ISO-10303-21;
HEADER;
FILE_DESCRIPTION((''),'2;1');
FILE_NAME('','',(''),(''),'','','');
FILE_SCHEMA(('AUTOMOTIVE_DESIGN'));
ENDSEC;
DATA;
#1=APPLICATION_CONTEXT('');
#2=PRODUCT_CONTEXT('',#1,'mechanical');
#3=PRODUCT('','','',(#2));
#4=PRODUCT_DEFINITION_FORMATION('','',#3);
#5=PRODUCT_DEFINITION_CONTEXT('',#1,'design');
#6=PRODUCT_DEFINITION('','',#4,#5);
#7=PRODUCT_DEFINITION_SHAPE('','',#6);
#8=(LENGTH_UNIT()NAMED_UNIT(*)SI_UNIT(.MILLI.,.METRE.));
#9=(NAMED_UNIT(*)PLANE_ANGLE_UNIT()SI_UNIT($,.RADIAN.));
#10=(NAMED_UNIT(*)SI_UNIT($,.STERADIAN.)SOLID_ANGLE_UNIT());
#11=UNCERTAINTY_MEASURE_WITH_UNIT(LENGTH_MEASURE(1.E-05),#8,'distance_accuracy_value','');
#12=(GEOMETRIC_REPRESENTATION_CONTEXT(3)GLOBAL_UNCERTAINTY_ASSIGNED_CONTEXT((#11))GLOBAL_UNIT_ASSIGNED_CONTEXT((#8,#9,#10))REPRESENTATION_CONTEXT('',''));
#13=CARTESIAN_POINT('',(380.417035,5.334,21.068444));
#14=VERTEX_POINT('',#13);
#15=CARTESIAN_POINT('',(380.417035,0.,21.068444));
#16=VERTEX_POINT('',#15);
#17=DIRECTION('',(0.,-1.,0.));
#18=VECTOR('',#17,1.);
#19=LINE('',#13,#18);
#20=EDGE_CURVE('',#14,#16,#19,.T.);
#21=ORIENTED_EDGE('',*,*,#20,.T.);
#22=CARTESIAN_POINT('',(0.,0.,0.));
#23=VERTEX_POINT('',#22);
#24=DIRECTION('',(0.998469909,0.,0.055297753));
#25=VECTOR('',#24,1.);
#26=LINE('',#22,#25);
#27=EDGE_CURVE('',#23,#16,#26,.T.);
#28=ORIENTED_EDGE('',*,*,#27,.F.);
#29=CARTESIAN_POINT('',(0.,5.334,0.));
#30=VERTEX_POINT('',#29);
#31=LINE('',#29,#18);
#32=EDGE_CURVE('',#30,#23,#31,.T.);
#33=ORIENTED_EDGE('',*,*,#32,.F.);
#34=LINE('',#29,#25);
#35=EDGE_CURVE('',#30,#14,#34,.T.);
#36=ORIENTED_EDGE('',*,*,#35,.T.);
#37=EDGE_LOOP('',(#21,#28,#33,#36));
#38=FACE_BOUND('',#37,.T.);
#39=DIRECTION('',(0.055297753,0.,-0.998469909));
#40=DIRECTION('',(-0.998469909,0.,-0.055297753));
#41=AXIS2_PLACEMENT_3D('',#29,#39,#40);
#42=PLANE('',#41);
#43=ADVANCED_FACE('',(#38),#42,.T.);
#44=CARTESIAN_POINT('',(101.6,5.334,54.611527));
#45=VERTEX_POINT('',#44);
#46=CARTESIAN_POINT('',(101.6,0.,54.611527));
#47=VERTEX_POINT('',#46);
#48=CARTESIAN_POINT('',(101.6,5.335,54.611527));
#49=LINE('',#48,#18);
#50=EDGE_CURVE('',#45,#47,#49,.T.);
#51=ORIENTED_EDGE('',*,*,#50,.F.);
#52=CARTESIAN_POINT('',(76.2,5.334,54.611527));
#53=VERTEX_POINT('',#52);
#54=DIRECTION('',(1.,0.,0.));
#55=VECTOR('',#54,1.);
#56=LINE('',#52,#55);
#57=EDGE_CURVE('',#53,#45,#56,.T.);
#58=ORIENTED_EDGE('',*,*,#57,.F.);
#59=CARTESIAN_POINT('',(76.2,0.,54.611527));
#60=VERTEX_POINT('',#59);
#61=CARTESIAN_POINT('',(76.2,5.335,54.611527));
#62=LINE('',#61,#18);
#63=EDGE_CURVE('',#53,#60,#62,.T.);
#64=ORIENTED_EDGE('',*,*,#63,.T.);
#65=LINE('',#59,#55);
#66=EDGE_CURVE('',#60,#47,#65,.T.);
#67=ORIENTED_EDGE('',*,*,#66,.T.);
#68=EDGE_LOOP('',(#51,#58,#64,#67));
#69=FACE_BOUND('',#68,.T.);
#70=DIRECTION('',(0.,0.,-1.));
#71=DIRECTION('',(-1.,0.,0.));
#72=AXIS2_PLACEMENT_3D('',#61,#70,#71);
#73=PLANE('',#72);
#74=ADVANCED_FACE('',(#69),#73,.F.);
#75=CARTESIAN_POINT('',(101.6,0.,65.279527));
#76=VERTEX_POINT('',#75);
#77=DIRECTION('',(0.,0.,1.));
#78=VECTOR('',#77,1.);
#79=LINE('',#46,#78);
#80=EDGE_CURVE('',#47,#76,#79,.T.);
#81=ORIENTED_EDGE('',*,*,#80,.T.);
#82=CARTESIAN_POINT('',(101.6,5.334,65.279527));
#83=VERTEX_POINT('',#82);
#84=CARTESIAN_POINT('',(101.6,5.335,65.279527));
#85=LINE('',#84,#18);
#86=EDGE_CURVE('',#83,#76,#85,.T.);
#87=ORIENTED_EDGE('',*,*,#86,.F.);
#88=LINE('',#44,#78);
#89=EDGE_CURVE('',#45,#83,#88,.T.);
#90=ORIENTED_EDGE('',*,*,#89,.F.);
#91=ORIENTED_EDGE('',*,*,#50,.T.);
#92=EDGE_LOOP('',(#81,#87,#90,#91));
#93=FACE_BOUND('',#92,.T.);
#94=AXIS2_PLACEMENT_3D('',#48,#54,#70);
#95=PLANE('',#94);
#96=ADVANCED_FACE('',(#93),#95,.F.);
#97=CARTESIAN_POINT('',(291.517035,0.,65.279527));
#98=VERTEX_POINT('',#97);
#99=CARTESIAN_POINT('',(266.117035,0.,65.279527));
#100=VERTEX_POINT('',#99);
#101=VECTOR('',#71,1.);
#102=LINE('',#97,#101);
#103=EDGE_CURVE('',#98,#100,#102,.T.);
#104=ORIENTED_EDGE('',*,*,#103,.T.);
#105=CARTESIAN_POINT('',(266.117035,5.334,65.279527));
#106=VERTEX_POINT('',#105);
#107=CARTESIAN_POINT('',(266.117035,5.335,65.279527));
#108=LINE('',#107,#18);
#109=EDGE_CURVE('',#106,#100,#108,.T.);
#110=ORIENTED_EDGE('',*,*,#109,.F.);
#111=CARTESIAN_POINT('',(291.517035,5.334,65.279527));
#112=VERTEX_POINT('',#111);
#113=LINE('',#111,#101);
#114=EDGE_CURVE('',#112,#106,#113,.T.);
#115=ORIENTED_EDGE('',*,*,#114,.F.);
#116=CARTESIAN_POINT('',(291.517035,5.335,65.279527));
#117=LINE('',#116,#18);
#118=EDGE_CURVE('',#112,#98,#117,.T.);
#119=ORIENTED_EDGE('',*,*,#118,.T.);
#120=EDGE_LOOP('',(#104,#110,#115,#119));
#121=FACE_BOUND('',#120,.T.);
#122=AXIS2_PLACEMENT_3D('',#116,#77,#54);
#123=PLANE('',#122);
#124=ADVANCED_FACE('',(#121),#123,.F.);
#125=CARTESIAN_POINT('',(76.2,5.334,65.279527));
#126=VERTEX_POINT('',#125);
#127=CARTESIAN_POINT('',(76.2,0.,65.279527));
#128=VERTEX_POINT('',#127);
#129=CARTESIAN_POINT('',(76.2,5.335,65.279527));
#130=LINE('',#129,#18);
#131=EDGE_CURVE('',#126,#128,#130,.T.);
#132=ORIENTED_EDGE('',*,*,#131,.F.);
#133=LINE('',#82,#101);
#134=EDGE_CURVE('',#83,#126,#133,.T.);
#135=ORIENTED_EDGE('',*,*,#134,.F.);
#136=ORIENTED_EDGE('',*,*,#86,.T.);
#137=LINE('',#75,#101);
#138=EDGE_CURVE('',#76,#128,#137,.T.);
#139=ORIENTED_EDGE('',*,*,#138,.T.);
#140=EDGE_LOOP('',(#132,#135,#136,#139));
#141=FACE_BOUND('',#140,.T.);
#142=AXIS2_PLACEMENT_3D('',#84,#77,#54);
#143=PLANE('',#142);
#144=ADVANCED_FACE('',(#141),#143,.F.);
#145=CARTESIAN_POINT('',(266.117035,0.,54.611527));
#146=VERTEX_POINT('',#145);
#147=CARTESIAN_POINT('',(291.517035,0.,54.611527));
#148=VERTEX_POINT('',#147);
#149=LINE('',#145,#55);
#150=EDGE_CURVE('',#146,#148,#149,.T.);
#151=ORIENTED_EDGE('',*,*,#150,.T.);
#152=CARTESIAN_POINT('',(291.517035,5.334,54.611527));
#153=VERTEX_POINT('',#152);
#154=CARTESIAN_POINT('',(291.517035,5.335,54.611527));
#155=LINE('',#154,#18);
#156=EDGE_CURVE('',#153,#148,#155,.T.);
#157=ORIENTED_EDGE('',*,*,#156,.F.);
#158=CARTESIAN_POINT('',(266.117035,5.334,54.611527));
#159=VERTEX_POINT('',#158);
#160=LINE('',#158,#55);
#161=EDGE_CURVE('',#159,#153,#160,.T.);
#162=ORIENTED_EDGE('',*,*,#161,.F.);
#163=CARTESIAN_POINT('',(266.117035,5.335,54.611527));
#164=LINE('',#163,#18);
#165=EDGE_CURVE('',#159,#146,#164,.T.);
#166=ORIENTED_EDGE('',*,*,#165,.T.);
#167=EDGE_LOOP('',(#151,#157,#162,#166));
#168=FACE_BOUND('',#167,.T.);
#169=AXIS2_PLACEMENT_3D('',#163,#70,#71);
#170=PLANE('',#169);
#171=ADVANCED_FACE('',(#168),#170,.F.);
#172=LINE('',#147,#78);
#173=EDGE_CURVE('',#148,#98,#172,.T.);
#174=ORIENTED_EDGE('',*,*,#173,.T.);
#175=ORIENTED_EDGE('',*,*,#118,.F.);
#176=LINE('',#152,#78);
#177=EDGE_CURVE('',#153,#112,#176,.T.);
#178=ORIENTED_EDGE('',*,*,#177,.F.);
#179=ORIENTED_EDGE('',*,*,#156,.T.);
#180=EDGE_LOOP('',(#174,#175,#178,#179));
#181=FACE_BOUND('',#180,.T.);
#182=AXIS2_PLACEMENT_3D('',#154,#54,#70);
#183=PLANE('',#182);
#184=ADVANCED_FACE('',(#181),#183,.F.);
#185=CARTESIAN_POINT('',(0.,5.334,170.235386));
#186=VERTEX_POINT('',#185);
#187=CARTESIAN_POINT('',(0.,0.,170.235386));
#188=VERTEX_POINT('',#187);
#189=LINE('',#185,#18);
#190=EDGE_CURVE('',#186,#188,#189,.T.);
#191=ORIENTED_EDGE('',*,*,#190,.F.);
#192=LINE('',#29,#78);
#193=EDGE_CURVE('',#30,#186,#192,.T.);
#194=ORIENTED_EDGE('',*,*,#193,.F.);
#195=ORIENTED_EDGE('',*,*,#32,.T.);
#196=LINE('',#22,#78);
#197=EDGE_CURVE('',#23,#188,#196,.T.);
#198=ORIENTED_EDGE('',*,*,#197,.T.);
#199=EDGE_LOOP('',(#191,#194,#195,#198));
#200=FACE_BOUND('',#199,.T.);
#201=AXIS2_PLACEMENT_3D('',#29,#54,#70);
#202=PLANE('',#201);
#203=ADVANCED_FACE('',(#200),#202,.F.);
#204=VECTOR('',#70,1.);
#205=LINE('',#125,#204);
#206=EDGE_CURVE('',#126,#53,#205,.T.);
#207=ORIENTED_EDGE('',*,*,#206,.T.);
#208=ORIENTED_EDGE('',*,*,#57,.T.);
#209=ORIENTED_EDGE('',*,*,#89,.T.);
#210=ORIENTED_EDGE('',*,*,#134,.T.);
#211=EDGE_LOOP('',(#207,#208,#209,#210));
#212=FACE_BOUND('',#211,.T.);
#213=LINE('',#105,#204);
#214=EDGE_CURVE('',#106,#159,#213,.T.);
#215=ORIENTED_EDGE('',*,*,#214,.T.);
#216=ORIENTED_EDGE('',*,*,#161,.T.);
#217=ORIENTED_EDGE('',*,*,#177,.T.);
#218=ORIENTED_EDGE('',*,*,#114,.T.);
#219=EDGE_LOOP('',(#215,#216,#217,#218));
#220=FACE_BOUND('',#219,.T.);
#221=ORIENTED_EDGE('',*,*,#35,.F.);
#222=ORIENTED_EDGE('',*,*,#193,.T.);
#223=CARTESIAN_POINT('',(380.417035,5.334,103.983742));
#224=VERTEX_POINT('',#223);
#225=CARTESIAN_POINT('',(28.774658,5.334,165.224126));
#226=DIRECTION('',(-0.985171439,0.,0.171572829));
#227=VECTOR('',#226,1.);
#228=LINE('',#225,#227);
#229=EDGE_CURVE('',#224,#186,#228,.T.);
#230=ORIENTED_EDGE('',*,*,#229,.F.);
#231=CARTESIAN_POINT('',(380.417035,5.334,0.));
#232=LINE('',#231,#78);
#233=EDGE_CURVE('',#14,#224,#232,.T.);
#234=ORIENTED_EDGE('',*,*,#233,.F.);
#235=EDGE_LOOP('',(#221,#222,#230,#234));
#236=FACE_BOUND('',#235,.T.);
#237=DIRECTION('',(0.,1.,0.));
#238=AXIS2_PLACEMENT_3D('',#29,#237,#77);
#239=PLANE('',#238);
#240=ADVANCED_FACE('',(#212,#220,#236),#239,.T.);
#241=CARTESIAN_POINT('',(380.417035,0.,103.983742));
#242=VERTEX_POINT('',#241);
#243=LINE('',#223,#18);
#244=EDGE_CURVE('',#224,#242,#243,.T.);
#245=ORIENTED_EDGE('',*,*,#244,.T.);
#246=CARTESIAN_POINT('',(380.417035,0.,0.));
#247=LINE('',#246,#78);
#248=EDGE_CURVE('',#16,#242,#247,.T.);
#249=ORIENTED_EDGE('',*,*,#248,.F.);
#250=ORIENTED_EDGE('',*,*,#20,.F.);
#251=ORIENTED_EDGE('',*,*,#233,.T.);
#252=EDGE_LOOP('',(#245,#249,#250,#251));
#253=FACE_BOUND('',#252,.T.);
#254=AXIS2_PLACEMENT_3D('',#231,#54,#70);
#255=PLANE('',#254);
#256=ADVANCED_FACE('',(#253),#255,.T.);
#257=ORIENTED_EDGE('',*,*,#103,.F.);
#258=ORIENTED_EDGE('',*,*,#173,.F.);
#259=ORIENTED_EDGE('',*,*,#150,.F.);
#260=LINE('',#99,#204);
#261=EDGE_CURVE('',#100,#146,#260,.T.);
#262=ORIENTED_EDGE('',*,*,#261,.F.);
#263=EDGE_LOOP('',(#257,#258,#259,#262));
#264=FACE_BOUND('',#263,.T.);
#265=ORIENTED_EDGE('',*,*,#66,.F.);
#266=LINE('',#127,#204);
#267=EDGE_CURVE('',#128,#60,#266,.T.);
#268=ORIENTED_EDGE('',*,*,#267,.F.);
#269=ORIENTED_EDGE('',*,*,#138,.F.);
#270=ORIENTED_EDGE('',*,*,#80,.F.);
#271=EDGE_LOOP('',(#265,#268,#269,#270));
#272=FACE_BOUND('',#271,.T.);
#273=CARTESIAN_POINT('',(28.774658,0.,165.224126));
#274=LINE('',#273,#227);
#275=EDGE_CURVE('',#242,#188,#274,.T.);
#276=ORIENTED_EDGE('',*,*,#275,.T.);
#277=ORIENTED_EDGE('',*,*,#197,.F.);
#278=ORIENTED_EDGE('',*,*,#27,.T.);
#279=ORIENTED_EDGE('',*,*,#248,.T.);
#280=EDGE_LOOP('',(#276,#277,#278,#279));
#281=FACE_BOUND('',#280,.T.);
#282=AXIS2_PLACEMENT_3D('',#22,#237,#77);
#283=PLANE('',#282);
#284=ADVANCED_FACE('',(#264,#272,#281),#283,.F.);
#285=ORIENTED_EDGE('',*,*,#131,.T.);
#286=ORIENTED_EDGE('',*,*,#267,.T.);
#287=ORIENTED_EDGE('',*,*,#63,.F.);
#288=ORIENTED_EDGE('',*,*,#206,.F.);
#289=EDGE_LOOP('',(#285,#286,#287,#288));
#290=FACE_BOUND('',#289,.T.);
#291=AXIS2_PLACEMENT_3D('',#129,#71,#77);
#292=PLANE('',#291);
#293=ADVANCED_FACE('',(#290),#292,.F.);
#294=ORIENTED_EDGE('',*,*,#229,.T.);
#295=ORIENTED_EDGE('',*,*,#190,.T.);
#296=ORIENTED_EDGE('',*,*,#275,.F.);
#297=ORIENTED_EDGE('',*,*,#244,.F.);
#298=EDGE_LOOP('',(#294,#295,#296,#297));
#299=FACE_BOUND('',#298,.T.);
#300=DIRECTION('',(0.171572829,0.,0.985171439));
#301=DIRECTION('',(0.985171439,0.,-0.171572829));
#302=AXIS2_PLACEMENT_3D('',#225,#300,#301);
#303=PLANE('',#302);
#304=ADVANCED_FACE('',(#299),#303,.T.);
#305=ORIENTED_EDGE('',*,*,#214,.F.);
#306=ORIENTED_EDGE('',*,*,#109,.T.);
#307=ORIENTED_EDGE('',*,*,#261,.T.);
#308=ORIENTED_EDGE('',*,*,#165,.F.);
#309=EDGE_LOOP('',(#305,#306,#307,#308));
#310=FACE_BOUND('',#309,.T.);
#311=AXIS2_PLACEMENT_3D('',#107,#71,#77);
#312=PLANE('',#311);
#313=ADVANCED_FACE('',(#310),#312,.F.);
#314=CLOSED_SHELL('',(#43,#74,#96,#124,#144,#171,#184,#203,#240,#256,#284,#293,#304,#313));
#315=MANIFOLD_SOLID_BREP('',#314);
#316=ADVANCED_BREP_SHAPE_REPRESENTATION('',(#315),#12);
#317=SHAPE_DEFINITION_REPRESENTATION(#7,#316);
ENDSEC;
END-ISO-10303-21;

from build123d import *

# Parameters (mm, degrees)
BASE_DEPTH         = 5.334
CUT_EXTRUDE1_REACH = 7.334
SKETCH3_W          = 25.4
SKETCH3_H          = 10.668


with BuildPart() as part:
    # Sketch1 → Base (new body)
    with BuildSketch(Plane(origin=(0, 0, 0), x_dir=(1, 0, 0), z_dir=(0, 1, 0))):
        Polygon((0, 0), (380.417035208, -21.068443786), (380.417035208, -103.983742074), (0, -170.235385513), align=None)
    extrude(amount=BASE_DEPTH)

    # Sketch3 → Cut-Extrude1 (cut, up to next)
    with BuildSketch(Plane.XZ, mode=Mode.PRIVATE) as cut_extrude1_sk1:
        with Locations((278.817035208, 59.945526857)):
            Rectangle(SKETCH3_W, SKETCH3_H)
    cut_extrude1_tool1 = extrude(cut_extrude1_sk1.sketch, amount=-CUT_EXTRUDE1_REACH, mode=Mode.PRIVATE) & part.part
    add(cut_extrude1_tool1.solids().sort_by_distance((278.817035, 0, 59.945527))[0], mode=Mode.SUBTRACT)
    # Sketch3 → Cut-Extrude1 (cut, up to next)
    with BuildSketch(Plane.XZ, mode=Mode.PRIVATE) as cut_extrude1_sk2:
        with Locations((88.9, 59.945526857)):
            Rectangle(SKETCH3_W, SKETCH3_H)
    cut_extrude1_tool2 = extrude(cut_extrude1_sk2.sketch, amount=-CUT_EXTRUDE1_REACH, mode=Mode.PRIVATE) & part.part
    add(cut_extrude1_tool2.solids().sort_by_distance((88.9, 0, 59.945527))[0], mode=Mode.SUBTRACT)


solid = part.part
